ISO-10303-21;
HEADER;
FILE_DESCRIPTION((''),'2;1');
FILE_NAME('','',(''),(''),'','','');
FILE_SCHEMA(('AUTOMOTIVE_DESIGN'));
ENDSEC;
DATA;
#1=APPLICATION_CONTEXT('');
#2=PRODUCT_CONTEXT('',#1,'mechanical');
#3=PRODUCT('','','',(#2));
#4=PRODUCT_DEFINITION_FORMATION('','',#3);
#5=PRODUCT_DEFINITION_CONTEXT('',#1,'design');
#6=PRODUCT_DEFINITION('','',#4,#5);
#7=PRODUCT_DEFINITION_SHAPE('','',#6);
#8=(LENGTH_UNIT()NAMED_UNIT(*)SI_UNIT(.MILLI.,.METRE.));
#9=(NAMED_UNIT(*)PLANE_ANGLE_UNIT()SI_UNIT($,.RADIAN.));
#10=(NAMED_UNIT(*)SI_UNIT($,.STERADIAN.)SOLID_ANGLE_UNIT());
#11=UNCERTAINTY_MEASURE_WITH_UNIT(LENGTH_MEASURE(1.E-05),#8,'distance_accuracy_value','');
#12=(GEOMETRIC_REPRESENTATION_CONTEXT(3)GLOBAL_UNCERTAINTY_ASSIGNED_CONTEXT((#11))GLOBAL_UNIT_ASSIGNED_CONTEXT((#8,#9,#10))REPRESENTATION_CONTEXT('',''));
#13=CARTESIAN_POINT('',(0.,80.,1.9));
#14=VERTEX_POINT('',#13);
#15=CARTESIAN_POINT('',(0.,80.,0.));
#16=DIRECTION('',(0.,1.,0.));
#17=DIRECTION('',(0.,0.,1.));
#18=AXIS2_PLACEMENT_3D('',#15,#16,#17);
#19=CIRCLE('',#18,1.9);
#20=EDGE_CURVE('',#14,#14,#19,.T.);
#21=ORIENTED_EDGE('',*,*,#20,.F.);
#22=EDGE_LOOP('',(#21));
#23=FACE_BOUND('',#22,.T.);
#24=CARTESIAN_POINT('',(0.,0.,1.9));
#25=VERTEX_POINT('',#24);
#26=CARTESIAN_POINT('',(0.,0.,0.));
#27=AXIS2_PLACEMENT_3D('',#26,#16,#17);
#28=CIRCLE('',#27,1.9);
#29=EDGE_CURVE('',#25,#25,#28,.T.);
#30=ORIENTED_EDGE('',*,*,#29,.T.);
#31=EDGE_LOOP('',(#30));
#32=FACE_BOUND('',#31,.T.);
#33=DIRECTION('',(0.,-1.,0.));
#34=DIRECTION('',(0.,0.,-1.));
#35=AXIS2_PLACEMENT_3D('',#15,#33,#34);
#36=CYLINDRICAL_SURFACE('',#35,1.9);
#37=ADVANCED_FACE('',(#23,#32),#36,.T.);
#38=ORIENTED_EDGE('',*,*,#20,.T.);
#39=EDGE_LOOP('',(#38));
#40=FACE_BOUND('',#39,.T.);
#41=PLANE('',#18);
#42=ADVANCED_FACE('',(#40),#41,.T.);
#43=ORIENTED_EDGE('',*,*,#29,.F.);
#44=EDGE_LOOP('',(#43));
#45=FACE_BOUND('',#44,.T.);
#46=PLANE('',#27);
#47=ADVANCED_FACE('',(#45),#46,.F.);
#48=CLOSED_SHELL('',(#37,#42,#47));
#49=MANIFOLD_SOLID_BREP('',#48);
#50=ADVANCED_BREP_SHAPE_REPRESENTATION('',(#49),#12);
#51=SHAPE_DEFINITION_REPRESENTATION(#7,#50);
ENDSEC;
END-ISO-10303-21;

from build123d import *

# Parameters (mm, degrees)
SKETCH_2_R      = 1.9
EXTRUDE_1_DEPTH = 80


with BuildPart() as part:
    # 草图2 → 凸台-拉伸1 (new body)
    with BuildSketch(Plane(origin=(0, 0, 0), x_dir=(1, 0, 0), z_dir=(0, 1, 0))):
        with Locations(Location((0, 0, 0), (0, 0, 270))):
            Circle(SKETCH_2_R)
    extrude(amount=EXTRUDE_1_DEPTH)


solid = part.part
